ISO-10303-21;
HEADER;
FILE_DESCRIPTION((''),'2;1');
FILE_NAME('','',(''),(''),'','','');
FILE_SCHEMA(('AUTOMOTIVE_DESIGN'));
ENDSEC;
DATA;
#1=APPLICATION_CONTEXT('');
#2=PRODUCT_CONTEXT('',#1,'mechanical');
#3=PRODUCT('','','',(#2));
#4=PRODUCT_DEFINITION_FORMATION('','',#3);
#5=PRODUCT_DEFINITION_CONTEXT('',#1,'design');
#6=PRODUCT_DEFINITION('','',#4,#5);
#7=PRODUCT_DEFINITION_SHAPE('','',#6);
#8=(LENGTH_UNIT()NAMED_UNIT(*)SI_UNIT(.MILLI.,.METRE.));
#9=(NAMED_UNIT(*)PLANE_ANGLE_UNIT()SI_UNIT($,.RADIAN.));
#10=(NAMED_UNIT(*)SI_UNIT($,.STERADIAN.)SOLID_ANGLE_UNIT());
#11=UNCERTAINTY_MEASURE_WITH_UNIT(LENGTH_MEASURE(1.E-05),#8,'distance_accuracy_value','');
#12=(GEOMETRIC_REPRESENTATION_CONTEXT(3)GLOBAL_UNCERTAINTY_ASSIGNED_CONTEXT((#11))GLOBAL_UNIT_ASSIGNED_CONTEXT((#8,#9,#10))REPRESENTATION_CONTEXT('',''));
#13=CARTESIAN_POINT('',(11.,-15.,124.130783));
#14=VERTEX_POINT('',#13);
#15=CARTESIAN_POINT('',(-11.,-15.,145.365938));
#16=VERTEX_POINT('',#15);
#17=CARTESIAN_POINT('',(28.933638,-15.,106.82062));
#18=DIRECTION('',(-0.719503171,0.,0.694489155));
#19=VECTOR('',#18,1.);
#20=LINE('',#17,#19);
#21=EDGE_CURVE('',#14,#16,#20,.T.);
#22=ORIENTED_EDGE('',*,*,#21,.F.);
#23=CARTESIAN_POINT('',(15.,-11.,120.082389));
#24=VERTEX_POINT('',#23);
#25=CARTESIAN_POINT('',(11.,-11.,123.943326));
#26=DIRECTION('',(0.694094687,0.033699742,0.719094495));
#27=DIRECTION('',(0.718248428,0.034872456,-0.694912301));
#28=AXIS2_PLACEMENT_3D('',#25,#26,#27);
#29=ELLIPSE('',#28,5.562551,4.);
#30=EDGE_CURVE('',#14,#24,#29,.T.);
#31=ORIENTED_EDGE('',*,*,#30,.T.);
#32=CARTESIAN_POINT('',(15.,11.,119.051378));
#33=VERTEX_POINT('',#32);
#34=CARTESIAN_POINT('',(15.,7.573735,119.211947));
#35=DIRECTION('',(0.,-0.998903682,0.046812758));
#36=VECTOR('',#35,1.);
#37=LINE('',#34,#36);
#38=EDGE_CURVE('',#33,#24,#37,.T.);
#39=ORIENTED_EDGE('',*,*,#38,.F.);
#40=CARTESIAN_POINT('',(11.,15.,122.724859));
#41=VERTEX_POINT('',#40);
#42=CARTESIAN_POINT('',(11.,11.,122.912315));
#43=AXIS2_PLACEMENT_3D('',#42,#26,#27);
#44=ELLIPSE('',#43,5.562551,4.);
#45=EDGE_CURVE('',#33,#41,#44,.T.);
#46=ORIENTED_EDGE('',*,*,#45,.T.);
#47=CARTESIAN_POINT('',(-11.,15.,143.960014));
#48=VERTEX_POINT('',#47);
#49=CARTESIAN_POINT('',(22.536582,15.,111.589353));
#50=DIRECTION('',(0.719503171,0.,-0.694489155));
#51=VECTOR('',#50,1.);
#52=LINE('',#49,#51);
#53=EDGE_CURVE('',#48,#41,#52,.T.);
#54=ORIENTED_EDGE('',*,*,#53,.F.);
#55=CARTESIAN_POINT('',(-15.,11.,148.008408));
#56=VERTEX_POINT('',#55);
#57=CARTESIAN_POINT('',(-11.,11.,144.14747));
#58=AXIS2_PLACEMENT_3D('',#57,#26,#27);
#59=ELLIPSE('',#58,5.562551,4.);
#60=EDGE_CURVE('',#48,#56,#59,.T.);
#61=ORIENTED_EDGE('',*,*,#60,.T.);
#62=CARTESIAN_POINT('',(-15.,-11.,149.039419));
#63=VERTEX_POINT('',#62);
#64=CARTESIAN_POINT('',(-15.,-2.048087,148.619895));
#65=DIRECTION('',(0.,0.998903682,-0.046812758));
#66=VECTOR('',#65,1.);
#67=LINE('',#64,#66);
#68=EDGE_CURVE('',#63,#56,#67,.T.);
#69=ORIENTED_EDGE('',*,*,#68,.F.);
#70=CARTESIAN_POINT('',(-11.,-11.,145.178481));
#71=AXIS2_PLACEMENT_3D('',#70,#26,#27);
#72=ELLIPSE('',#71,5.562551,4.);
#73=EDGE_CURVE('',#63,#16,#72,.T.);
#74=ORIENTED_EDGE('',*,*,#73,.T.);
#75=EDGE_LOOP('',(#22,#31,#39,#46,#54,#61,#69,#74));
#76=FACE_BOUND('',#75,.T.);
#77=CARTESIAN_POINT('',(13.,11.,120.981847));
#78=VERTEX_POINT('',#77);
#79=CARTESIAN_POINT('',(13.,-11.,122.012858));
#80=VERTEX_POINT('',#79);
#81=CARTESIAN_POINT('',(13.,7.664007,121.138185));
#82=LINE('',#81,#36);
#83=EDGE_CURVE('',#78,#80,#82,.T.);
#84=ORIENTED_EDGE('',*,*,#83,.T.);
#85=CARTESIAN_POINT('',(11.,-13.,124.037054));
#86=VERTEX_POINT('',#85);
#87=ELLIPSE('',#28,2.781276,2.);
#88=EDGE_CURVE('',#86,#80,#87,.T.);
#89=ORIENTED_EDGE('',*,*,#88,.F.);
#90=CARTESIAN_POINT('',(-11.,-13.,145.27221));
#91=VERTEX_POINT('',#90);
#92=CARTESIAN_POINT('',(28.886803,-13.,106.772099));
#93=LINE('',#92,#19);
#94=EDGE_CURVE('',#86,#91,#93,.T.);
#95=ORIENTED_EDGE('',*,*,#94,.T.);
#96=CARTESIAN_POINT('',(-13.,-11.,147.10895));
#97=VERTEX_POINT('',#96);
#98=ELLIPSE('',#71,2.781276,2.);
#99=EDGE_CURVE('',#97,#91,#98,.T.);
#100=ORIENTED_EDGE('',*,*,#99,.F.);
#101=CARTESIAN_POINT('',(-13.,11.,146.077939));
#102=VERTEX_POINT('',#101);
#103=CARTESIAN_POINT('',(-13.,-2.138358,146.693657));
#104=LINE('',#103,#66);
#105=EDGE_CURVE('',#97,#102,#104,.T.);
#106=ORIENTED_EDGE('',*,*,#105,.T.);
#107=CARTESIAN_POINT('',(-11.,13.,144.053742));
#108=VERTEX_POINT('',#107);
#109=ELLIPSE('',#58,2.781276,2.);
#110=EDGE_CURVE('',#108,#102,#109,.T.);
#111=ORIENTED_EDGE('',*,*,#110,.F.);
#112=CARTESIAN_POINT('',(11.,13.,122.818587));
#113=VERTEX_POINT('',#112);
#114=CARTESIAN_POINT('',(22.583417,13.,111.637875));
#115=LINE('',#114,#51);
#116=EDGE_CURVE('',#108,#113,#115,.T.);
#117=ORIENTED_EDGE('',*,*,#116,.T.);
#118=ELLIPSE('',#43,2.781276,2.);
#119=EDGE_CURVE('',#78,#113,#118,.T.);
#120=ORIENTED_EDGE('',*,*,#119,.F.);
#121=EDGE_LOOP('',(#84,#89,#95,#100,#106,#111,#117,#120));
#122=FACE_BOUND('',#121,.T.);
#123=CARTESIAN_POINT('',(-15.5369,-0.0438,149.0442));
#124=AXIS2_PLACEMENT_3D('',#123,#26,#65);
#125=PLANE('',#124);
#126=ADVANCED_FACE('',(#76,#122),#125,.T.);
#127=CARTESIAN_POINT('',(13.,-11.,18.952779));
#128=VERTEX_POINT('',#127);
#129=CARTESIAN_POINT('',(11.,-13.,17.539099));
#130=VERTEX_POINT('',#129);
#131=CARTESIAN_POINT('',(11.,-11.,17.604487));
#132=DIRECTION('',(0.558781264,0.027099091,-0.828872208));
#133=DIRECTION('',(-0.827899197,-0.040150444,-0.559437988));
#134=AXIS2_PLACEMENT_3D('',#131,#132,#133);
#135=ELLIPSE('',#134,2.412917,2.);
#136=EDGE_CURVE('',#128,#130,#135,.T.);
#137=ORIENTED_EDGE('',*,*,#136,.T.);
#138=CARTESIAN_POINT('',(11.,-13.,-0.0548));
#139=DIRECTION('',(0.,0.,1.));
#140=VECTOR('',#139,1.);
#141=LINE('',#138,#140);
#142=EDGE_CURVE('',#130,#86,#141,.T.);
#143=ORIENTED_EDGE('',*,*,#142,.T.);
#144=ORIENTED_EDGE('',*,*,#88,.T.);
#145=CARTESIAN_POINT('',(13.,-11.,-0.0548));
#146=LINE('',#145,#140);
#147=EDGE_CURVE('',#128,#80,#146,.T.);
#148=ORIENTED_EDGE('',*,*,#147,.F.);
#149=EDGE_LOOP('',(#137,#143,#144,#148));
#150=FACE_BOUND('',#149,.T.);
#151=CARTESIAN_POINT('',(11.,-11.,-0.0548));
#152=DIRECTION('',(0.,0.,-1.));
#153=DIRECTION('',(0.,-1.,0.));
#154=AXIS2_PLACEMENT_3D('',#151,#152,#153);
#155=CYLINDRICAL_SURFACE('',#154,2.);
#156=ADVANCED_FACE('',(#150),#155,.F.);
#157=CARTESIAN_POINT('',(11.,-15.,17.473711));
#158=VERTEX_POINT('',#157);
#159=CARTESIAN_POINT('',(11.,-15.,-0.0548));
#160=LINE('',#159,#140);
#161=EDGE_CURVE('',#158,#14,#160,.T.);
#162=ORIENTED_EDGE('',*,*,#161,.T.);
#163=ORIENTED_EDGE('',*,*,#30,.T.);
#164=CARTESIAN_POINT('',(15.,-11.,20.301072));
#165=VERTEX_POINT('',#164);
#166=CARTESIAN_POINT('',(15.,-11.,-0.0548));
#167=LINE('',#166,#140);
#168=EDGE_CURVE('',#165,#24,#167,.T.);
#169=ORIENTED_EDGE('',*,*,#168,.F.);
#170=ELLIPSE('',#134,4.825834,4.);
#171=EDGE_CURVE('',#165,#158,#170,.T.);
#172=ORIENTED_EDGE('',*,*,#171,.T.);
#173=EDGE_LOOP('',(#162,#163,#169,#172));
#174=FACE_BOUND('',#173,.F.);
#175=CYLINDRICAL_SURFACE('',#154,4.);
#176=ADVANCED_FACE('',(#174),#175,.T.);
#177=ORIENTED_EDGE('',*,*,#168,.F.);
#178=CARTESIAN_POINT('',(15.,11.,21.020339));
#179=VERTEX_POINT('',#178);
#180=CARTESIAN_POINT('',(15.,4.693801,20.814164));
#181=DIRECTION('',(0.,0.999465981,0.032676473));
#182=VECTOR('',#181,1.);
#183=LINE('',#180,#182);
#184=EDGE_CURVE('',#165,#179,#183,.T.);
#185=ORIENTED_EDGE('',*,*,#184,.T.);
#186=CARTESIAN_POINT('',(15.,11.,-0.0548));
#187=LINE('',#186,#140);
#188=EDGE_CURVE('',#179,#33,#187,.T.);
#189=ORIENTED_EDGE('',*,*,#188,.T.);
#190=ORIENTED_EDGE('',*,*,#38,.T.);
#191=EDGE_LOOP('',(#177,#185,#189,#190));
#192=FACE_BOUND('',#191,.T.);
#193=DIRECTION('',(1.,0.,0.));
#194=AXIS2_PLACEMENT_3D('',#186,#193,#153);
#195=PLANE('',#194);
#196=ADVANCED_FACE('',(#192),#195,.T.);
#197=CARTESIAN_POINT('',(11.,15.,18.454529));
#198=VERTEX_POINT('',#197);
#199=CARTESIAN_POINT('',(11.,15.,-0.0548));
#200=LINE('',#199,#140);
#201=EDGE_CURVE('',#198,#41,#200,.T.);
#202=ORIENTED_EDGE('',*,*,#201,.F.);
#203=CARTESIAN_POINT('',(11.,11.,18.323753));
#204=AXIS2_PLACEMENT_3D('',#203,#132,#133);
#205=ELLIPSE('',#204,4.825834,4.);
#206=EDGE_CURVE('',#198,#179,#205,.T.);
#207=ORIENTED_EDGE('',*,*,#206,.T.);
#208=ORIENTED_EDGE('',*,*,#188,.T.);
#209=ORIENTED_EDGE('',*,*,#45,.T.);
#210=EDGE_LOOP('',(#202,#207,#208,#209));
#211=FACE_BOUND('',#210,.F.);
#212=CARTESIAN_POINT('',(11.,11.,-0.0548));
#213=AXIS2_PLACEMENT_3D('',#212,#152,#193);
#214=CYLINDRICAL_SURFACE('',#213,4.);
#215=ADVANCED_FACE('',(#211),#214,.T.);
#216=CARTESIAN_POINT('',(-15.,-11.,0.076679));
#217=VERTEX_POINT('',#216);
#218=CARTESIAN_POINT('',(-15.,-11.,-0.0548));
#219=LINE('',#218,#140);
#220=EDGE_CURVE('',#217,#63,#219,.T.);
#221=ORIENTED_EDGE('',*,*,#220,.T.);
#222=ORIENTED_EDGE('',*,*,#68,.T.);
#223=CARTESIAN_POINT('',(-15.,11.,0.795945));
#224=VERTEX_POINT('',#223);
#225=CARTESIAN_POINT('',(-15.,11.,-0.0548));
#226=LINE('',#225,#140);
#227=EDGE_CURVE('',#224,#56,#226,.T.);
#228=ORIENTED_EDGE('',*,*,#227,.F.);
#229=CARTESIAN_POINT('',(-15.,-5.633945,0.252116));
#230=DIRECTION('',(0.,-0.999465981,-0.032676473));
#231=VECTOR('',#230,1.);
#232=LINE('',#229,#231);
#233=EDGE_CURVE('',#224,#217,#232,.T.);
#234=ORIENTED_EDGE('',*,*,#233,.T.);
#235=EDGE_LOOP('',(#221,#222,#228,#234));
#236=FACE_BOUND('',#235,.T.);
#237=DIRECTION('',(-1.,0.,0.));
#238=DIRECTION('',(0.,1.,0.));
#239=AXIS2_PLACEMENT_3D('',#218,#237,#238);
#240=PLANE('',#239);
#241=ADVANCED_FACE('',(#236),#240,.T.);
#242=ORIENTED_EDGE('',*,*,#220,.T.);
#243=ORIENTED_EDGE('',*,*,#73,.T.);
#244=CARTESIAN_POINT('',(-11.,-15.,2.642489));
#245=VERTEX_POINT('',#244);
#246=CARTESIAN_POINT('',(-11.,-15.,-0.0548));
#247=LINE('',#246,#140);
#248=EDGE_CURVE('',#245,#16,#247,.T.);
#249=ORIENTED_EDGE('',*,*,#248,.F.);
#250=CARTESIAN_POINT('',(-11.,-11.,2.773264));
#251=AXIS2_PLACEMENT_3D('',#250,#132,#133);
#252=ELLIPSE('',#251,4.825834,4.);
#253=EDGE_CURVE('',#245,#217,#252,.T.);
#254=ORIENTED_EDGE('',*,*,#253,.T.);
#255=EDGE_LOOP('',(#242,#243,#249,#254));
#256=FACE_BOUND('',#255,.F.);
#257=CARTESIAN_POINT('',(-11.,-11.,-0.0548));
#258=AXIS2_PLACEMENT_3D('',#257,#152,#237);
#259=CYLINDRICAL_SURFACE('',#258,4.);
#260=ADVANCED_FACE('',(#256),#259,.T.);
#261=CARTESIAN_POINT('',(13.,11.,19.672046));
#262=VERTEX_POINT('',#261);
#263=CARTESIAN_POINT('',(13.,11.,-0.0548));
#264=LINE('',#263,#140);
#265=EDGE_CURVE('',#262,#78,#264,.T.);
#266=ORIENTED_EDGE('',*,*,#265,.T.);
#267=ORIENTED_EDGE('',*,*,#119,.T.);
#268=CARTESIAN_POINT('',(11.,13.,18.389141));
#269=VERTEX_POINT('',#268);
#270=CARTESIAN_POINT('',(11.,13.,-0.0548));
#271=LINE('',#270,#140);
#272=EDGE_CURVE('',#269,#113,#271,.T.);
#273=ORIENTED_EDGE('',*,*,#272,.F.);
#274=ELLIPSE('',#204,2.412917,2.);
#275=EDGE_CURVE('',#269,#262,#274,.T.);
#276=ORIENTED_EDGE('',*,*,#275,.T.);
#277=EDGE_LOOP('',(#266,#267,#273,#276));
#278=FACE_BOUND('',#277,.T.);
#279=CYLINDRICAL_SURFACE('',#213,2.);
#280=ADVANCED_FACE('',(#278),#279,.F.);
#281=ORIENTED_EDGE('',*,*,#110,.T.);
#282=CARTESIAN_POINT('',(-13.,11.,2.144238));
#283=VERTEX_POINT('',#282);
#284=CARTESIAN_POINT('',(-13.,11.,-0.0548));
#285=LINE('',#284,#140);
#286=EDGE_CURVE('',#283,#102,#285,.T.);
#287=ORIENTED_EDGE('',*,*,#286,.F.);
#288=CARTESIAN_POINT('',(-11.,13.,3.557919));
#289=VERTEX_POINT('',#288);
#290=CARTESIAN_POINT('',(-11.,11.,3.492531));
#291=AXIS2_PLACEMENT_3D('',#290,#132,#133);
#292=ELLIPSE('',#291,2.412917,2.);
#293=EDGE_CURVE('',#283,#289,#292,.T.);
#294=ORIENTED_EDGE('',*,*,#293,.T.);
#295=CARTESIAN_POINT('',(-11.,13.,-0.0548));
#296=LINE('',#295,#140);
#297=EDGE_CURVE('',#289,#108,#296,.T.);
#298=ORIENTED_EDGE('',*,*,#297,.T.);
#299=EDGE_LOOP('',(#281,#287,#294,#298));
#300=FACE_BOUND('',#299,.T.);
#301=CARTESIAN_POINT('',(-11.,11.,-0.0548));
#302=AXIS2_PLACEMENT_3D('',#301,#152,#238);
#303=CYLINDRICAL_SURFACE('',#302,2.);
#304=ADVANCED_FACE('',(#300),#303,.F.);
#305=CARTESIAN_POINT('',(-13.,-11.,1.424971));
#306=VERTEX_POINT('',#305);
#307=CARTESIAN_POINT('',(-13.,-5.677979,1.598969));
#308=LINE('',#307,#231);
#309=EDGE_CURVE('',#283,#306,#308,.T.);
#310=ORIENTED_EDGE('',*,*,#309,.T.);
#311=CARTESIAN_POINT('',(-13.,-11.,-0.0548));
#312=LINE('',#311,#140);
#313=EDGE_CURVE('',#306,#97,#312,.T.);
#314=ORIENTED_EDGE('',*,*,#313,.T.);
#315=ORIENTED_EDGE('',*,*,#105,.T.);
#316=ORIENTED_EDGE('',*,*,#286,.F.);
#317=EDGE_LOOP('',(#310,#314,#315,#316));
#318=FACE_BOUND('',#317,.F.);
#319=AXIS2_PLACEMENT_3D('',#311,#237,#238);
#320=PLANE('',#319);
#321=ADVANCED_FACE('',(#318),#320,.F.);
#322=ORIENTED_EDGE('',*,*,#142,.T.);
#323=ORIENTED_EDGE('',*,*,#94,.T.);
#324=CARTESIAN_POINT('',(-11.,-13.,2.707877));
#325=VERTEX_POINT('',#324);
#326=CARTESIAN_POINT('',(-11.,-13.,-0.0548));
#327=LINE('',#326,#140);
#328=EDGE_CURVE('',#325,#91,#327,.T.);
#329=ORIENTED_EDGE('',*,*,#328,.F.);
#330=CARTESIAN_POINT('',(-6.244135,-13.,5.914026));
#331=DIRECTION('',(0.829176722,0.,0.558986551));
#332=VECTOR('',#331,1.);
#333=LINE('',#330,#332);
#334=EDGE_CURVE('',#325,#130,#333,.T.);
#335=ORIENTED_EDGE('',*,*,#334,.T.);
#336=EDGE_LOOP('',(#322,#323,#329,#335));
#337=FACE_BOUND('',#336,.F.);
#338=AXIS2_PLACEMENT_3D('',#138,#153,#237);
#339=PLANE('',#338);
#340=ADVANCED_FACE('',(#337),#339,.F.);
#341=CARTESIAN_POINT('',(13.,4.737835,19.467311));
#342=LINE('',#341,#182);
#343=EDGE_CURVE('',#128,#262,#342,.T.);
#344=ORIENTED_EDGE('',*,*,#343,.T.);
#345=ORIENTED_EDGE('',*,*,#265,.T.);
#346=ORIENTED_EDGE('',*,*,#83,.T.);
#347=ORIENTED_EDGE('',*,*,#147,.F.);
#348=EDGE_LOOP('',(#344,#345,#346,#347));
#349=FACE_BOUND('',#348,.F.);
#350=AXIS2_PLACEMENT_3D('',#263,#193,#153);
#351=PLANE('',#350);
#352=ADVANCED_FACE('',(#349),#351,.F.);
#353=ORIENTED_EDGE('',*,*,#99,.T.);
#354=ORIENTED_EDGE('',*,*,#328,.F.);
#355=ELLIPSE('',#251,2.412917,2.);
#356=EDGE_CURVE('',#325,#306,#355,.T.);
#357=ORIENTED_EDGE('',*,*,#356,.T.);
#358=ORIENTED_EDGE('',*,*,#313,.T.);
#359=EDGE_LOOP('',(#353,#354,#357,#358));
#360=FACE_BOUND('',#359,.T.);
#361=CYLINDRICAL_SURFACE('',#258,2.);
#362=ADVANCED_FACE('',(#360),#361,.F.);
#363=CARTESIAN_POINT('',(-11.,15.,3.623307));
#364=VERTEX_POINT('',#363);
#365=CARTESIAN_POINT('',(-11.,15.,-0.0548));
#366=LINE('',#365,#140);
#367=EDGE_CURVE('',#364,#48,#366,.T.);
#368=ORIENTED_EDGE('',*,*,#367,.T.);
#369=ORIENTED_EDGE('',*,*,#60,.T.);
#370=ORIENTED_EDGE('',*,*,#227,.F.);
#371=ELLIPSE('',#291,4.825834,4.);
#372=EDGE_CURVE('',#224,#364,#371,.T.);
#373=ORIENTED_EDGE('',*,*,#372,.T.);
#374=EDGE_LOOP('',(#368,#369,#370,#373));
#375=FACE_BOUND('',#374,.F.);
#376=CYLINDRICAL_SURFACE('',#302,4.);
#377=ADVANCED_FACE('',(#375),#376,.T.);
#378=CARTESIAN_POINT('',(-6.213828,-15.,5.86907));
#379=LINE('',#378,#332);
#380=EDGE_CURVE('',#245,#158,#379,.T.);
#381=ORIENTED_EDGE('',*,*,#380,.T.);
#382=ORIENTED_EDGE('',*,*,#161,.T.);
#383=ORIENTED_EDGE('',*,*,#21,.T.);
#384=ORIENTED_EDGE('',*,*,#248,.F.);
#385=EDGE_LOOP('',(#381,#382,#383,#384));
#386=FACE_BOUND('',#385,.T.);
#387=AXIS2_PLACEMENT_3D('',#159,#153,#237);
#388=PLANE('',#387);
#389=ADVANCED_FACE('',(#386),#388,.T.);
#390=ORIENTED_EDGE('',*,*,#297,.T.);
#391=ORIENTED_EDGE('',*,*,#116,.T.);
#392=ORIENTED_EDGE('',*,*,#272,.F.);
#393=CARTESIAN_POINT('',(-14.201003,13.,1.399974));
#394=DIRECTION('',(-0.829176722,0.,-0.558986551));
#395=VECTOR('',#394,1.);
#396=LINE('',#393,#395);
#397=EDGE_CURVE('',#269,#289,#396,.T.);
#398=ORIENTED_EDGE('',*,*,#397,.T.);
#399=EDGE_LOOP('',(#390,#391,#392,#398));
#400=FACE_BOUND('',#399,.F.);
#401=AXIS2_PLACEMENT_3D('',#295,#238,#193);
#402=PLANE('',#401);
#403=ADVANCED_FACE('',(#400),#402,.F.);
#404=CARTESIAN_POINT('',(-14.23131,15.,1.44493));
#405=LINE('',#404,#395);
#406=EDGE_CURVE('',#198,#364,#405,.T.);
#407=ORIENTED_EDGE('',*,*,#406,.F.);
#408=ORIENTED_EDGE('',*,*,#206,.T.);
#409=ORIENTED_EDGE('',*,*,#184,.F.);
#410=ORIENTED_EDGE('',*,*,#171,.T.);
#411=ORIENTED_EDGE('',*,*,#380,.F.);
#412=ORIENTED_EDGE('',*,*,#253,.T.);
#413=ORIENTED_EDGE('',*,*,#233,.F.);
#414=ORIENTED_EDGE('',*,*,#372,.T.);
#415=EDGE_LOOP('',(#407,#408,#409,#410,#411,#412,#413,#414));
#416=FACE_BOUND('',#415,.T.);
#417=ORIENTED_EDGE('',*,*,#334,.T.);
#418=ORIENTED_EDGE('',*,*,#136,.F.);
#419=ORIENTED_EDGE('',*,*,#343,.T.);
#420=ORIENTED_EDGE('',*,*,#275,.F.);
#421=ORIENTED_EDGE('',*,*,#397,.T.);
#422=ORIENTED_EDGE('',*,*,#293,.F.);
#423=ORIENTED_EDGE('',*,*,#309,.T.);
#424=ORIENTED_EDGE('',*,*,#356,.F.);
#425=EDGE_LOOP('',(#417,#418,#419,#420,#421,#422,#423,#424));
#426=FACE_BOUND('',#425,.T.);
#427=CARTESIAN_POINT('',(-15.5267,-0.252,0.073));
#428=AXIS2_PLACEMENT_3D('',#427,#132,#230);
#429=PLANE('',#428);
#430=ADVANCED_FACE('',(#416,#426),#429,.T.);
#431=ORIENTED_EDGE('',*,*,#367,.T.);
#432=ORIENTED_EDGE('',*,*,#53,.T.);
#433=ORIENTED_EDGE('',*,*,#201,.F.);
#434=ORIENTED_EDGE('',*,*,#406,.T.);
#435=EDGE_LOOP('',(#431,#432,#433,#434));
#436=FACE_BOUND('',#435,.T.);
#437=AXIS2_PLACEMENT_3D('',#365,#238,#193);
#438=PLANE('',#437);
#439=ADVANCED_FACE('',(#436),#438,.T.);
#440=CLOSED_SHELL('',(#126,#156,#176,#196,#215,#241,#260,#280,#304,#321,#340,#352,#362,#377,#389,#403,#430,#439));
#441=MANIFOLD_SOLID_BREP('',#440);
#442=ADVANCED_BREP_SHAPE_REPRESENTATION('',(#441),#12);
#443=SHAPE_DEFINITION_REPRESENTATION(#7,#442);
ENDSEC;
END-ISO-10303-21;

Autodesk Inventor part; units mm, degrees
ref_plane "Plano inicial" through (0, 0, -0.0548) normal (0, 0, 1) x (1, 0, 0)
ref_plane "Plano final" through (0, 0, 149.2272) normal (0, 0, 1) x (1, 0, 0)
sketch "Esboço" plane through (0, 0, 0) normal (0, 0, 1) x (1, 0, 0)
  line L0 (-15, -11) -> (-15, 11)
  line L1 (-11, 15) -> (11, 15)
  line L2 (15, 11) -> (15, -11)
  line L3 (11, -15) -> (-11, -15)
  arc A0 (-15, -11) -> (-11, -15) centre (-11, -11) ccw
  arc A1 (15, 11) -> (11, 15) centre (11, 11) ccw
  arc A2 (-11, 15) -> (-15, 11) centre (-11, 11) ccw
  arc A3 (11, -15) -> (15, -11) centre (11, -11) ccw
  arc A4 (-11, 13) -> (-13, 11) centre (-11, 11) ccw
  line L4 (-11, 13) -> (11, 13)
  arc A5 (13, 11) -> (11, 13) centre (11, 11) ccw
  line L5 (13, 11) -> (13, -11)
  arc A6 (11, -13) -> (13, -11) centre (11, -11) ccw
  line L6 (11, -13) -> (-11, -13)
  arc A7 (-13, -11) -> (-11, -13) centre (-11, -11) ccw
  line L7 (-13, -11) -> (-13, 11)
  line L8 (0, 22.1598) -> (0, -22.1598) construction
  line L9 (-22.1598, 0) -> (22.1598, 0) construction
  dimension "d7" = 4
  dimension "d9" = 30
  dimension "d11" = 30
  dimension "d12" = 2
  dimension "d15" = 15
  dimension "d16" = 15
extrude "Corpo" add sketch "Esboço" along normal up to surface (149.2819 mm away) from surface at -0.0548
sketch "Sketch3" plane through (0, 0, 0) normal (0, 0, 1) x (1, 0, 0)
  line L0 (0, 0) -> (10, 0)
ref_plane "Work Plane3" through (0, 0, 0) normal (0, -1, 0) x (1, 0, 0)
sketch "Sketch4" plane through (0, 0, 0) normal (0, -1, 0) x (1, 0, 0)
  line L0 (-2, -0.0548) -> (12, -0.0548)
  line L1 (-2, 149.2272) -> (12, 149.2272)
  dimension "d18" = 149.2819
ref_plane "Plano de trabalho4" through (-15.5369, -0.0438, 149.0442) normal (0.6941, 0.0337, 0.7191) x (0.7197, -0.0136, -0.6941)
split "Dividir1" plane through (-15.5369, -0.0438, 149.0442) removes the side toward (0.6941, 0.0337, 0.7191)
ref_plane "Plano de trabalho5" through (-15.5267, -0.252, 0.073) normal (0.5588, 0.0271, -0.8289) x (-0.8245, -0.0886, -0.5588)
split "Dividir2" plane through (-15.5267, -0.252, 0.073) removes the side toward (0.5588, 0.0271, -0.8289)
equation "\"d7\" = G_IR"
equation "\"d9\" = G_W"
equation "\"d11\" = G_H"
equation "\"d12\" = G_T"
equation "\"d15\" = 0.5 * d9"
equation "\"d16\" = 0.5 * d11"
equation "\"d3\" = G_L"
equation "\"G_W\" = 30"
equation "\"G_H\" = 30"
equation "\"G_T\" = 2"
equation "\"G_IR\" = 4"
equation "\"G_L\" = 148.97114"
equation "\"G_OFFSET_START\" = 0.05477"
equation "\"G_OFFSET_END\" = 0.18299"
equation "\"d13\" = -G_OFFSET_START"
equation "\"d14\" = G_OFFSET_END + B_L"
equation "\"B_L\" = 149.04417"
properties part number "ISO 10799-2 - 30x30x2 - 149,04417103" material "Aço, suave"
